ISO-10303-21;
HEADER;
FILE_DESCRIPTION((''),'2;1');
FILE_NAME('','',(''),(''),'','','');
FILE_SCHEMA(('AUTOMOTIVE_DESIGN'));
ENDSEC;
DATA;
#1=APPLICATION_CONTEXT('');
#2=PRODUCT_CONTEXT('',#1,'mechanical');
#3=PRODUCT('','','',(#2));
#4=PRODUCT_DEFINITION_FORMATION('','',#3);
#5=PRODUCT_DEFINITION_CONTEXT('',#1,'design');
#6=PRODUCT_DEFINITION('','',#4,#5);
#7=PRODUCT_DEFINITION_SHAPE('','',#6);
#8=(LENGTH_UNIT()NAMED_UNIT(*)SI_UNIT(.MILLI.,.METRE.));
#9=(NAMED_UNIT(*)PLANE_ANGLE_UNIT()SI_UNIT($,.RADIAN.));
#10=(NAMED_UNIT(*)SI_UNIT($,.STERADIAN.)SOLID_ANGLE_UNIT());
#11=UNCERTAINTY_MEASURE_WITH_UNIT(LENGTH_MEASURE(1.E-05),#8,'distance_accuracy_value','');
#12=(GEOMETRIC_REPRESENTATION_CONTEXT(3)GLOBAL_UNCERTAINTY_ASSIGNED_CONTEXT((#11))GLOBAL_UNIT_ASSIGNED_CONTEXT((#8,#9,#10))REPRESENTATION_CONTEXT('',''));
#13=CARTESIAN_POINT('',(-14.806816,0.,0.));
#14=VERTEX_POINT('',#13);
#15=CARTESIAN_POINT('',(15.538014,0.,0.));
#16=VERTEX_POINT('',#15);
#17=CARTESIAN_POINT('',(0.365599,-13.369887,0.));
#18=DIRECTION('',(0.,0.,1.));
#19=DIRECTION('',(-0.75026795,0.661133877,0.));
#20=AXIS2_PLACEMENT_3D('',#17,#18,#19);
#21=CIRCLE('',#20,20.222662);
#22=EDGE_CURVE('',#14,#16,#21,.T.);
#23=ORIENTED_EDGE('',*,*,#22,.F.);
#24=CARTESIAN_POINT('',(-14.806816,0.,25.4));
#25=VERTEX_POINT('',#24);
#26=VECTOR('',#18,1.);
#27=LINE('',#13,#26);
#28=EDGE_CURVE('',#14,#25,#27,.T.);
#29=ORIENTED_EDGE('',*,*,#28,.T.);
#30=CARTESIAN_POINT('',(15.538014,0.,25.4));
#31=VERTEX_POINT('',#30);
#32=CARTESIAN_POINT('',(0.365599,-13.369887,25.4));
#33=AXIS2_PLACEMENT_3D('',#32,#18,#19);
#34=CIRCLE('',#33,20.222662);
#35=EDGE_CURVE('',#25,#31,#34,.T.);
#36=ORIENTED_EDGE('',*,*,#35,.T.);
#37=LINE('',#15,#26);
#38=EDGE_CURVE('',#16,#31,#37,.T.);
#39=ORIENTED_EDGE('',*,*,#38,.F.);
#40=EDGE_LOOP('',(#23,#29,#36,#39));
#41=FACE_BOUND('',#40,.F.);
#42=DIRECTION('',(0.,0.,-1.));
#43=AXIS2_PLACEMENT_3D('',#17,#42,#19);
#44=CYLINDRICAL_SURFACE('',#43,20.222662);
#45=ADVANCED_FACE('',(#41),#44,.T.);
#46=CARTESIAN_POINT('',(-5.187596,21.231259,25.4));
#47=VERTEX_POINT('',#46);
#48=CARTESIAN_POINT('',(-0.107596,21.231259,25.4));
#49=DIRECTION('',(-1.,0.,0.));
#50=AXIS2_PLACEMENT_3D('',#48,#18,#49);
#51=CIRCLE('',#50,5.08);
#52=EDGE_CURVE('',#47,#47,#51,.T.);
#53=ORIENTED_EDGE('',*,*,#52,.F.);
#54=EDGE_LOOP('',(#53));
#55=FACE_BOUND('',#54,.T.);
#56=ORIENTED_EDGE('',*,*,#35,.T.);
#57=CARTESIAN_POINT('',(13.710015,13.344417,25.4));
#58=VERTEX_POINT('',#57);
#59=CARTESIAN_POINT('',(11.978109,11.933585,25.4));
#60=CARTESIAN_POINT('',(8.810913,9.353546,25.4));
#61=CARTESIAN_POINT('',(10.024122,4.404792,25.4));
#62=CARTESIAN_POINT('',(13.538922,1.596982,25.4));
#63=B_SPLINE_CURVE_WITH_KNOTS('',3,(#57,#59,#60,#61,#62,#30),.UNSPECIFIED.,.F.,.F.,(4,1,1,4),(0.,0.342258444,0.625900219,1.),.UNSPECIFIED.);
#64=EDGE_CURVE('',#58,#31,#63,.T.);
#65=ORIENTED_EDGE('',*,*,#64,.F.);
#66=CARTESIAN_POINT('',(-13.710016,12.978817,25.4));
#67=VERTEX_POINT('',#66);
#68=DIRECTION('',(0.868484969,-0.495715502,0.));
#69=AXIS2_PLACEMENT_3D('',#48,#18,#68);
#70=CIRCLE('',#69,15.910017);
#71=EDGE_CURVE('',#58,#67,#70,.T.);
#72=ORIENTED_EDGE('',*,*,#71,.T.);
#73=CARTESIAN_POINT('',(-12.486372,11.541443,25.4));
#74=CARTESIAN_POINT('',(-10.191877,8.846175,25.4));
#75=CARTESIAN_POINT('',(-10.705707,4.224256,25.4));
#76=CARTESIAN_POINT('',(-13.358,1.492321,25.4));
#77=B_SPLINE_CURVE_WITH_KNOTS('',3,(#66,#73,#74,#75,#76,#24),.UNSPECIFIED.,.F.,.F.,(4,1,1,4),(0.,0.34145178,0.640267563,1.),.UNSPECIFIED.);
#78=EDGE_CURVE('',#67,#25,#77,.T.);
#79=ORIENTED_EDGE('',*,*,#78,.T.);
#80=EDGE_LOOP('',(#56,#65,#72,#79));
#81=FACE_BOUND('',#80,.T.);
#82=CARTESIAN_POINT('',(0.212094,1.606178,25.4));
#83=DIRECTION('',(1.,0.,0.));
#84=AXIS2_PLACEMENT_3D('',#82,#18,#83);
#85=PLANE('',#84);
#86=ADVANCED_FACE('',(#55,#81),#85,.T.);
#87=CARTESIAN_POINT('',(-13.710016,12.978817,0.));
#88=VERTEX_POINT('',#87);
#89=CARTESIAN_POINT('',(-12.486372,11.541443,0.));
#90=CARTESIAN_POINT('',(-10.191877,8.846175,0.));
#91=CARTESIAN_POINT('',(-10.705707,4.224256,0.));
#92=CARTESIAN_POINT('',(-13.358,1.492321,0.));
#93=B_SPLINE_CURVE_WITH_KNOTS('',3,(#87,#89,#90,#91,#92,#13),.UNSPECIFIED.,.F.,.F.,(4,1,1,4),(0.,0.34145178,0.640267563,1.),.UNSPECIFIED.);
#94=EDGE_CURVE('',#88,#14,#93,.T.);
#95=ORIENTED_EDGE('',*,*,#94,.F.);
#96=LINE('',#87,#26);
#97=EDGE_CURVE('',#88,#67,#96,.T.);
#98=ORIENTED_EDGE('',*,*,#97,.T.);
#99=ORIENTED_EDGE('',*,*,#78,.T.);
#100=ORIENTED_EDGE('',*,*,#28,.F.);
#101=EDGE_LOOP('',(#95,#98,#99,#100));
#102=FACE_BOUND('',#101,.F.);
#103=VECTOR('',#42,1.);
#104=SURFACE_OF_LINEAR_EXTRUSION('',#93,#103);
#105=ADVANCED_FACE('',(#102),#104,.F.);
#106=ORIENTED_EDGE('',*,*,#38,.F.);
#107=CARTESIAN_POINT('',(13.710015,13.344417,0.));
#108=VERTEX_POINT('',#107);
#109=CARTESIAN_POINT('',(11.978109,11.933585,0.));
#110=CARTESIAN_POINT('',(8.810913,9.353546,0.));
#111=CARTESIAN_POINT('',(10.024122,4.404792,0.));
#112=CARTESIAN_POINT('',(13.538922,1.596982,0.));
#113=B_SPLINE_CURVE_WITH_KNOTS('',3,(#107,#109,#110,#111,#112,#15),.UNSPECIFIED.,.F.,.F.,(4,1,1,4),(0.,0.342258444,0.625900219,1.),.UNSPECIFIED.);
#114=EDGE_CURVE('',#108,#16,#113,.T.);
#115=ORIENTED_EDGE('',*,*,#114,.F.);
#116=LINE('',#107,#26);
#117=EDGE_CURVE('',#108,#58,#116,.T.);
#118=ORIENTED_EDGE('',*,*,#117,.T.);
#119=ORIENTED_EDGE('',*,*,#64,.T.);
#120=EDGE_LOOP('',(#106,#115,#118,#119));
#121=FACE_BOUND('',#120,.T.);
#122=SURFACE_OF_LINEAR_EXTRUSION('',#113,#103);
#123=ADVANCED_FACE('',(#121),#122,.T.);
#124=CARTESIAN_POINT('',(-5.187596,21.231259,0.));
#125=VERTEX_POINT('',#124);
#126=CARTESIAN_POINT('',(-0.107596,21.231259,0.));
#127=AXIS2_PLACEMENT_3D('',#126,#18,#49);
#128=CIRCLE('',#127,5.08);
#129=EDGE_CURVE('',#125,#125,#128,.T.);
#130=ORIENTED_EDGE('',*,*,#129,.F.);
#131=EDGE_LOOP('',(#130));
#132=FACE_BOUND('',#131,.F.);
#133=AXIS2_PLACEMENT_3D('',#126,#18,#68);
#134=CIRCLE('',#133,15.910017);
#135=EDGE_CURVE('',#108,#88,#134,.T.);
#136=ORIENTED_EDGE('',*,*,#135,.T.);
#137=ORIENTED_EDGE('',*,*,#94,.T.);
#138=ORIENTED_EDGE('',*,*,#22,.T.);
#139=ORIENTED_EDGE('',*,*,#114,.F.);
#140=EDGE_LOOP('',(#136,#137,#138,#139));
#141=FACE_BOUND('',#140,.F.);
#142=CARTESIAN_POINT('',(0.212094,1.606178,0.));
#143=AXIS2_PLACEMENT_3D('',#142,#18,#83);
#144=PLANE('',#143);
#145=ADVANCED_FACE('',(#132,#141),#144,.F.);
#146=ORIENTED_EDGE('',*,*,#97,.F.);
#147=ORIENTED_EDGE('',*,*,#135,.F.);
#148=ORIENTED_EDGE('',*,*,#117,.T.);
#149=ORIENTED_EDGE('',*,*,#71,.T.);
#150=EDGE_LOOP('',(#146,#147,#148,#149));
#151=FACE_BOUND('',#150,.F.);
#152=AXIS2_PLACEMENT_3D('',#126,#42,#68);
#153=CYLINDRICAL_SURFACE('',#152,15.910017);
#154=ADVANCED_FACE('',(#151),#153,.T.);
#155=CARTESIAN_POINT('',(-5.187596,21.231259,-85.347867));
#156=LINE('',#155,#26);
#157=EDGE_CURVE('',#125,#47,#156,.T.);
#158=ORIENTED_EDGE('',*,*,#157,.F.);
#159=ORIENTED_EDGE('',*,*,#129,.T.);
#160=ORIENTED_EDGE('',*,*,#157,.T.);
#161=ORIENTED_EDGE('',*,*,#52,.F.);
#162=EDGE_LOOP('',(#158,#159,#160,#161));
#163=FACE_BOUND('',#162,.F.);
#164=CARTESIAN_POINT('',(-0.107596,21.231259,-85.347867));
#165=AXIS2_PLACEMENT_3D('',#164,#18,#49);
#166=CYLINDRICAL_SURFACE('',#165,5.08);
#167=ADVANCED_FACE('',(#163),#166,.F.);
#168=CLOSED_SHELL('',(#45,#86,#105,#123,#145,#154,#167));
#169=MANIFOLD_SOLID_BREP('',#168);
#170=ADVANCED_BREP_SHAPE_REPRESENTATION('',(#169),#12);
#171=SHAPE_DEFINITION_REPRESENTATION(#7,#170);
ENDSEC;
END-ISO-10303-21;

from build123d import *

# Parameters (mm, degrees)
F1_DEPTH = 25.4
F2_D     = 10.16


with BuildPart() as f1:
    # F0 (on Top) → F1 (new body)
    with BuildSketch(Plane.XY):
        with BuildLine():
            add(Edge.make_bspline(
                [(-13.7100163847, 12.9788173363), (-12.4863722513, 11.5414430545), (-10.1918765367, 8.8461748471), (-10.7057072132, 4.2242559095), (-13.3579996874, 1.4923212615), (-14.8068163544, 0)],
                knots=[0, 0, 0, 0, 0.3414517803, 0.6402675625, 1, 1, 1, 1], degree=3))
            ThreePointArc((-14.8068163544, 0), (0.3655990586, -33.5925494725), (15.5380144715, 0))
            add(Edge.make_bspline(
                [(13.7100145221, 13.3444173262), (11.9781094837, 11.9335853093), (8.8109129891, 9.353546497), (10.0241222697, 4.4047922136), (13.5389223726, 1.5969817671), (15.5380144715, 0)],
                knots=[0, 0, 0, 0, 0.3422584436, 0.6259002191, 1, 1, 1, 1], degree=3))
            ThreePointArc((13.7100145221, 13.3444173262), (-0.3197104944, 37.1398622542), (-13.7100163847, 12.9788173363))
        make_face()
    extrude(amount=F1_DEPTH)

    # F2 (through all)
    with Locations(Plane(origin=(0, 0, 0), x_dir=(1, 0, 0), z_dir=(0, 0, -1))):
        with Locations((-0.1075960341, -21.2312593567)):
            Hole(F2_D / 2)


solid = f1.part
